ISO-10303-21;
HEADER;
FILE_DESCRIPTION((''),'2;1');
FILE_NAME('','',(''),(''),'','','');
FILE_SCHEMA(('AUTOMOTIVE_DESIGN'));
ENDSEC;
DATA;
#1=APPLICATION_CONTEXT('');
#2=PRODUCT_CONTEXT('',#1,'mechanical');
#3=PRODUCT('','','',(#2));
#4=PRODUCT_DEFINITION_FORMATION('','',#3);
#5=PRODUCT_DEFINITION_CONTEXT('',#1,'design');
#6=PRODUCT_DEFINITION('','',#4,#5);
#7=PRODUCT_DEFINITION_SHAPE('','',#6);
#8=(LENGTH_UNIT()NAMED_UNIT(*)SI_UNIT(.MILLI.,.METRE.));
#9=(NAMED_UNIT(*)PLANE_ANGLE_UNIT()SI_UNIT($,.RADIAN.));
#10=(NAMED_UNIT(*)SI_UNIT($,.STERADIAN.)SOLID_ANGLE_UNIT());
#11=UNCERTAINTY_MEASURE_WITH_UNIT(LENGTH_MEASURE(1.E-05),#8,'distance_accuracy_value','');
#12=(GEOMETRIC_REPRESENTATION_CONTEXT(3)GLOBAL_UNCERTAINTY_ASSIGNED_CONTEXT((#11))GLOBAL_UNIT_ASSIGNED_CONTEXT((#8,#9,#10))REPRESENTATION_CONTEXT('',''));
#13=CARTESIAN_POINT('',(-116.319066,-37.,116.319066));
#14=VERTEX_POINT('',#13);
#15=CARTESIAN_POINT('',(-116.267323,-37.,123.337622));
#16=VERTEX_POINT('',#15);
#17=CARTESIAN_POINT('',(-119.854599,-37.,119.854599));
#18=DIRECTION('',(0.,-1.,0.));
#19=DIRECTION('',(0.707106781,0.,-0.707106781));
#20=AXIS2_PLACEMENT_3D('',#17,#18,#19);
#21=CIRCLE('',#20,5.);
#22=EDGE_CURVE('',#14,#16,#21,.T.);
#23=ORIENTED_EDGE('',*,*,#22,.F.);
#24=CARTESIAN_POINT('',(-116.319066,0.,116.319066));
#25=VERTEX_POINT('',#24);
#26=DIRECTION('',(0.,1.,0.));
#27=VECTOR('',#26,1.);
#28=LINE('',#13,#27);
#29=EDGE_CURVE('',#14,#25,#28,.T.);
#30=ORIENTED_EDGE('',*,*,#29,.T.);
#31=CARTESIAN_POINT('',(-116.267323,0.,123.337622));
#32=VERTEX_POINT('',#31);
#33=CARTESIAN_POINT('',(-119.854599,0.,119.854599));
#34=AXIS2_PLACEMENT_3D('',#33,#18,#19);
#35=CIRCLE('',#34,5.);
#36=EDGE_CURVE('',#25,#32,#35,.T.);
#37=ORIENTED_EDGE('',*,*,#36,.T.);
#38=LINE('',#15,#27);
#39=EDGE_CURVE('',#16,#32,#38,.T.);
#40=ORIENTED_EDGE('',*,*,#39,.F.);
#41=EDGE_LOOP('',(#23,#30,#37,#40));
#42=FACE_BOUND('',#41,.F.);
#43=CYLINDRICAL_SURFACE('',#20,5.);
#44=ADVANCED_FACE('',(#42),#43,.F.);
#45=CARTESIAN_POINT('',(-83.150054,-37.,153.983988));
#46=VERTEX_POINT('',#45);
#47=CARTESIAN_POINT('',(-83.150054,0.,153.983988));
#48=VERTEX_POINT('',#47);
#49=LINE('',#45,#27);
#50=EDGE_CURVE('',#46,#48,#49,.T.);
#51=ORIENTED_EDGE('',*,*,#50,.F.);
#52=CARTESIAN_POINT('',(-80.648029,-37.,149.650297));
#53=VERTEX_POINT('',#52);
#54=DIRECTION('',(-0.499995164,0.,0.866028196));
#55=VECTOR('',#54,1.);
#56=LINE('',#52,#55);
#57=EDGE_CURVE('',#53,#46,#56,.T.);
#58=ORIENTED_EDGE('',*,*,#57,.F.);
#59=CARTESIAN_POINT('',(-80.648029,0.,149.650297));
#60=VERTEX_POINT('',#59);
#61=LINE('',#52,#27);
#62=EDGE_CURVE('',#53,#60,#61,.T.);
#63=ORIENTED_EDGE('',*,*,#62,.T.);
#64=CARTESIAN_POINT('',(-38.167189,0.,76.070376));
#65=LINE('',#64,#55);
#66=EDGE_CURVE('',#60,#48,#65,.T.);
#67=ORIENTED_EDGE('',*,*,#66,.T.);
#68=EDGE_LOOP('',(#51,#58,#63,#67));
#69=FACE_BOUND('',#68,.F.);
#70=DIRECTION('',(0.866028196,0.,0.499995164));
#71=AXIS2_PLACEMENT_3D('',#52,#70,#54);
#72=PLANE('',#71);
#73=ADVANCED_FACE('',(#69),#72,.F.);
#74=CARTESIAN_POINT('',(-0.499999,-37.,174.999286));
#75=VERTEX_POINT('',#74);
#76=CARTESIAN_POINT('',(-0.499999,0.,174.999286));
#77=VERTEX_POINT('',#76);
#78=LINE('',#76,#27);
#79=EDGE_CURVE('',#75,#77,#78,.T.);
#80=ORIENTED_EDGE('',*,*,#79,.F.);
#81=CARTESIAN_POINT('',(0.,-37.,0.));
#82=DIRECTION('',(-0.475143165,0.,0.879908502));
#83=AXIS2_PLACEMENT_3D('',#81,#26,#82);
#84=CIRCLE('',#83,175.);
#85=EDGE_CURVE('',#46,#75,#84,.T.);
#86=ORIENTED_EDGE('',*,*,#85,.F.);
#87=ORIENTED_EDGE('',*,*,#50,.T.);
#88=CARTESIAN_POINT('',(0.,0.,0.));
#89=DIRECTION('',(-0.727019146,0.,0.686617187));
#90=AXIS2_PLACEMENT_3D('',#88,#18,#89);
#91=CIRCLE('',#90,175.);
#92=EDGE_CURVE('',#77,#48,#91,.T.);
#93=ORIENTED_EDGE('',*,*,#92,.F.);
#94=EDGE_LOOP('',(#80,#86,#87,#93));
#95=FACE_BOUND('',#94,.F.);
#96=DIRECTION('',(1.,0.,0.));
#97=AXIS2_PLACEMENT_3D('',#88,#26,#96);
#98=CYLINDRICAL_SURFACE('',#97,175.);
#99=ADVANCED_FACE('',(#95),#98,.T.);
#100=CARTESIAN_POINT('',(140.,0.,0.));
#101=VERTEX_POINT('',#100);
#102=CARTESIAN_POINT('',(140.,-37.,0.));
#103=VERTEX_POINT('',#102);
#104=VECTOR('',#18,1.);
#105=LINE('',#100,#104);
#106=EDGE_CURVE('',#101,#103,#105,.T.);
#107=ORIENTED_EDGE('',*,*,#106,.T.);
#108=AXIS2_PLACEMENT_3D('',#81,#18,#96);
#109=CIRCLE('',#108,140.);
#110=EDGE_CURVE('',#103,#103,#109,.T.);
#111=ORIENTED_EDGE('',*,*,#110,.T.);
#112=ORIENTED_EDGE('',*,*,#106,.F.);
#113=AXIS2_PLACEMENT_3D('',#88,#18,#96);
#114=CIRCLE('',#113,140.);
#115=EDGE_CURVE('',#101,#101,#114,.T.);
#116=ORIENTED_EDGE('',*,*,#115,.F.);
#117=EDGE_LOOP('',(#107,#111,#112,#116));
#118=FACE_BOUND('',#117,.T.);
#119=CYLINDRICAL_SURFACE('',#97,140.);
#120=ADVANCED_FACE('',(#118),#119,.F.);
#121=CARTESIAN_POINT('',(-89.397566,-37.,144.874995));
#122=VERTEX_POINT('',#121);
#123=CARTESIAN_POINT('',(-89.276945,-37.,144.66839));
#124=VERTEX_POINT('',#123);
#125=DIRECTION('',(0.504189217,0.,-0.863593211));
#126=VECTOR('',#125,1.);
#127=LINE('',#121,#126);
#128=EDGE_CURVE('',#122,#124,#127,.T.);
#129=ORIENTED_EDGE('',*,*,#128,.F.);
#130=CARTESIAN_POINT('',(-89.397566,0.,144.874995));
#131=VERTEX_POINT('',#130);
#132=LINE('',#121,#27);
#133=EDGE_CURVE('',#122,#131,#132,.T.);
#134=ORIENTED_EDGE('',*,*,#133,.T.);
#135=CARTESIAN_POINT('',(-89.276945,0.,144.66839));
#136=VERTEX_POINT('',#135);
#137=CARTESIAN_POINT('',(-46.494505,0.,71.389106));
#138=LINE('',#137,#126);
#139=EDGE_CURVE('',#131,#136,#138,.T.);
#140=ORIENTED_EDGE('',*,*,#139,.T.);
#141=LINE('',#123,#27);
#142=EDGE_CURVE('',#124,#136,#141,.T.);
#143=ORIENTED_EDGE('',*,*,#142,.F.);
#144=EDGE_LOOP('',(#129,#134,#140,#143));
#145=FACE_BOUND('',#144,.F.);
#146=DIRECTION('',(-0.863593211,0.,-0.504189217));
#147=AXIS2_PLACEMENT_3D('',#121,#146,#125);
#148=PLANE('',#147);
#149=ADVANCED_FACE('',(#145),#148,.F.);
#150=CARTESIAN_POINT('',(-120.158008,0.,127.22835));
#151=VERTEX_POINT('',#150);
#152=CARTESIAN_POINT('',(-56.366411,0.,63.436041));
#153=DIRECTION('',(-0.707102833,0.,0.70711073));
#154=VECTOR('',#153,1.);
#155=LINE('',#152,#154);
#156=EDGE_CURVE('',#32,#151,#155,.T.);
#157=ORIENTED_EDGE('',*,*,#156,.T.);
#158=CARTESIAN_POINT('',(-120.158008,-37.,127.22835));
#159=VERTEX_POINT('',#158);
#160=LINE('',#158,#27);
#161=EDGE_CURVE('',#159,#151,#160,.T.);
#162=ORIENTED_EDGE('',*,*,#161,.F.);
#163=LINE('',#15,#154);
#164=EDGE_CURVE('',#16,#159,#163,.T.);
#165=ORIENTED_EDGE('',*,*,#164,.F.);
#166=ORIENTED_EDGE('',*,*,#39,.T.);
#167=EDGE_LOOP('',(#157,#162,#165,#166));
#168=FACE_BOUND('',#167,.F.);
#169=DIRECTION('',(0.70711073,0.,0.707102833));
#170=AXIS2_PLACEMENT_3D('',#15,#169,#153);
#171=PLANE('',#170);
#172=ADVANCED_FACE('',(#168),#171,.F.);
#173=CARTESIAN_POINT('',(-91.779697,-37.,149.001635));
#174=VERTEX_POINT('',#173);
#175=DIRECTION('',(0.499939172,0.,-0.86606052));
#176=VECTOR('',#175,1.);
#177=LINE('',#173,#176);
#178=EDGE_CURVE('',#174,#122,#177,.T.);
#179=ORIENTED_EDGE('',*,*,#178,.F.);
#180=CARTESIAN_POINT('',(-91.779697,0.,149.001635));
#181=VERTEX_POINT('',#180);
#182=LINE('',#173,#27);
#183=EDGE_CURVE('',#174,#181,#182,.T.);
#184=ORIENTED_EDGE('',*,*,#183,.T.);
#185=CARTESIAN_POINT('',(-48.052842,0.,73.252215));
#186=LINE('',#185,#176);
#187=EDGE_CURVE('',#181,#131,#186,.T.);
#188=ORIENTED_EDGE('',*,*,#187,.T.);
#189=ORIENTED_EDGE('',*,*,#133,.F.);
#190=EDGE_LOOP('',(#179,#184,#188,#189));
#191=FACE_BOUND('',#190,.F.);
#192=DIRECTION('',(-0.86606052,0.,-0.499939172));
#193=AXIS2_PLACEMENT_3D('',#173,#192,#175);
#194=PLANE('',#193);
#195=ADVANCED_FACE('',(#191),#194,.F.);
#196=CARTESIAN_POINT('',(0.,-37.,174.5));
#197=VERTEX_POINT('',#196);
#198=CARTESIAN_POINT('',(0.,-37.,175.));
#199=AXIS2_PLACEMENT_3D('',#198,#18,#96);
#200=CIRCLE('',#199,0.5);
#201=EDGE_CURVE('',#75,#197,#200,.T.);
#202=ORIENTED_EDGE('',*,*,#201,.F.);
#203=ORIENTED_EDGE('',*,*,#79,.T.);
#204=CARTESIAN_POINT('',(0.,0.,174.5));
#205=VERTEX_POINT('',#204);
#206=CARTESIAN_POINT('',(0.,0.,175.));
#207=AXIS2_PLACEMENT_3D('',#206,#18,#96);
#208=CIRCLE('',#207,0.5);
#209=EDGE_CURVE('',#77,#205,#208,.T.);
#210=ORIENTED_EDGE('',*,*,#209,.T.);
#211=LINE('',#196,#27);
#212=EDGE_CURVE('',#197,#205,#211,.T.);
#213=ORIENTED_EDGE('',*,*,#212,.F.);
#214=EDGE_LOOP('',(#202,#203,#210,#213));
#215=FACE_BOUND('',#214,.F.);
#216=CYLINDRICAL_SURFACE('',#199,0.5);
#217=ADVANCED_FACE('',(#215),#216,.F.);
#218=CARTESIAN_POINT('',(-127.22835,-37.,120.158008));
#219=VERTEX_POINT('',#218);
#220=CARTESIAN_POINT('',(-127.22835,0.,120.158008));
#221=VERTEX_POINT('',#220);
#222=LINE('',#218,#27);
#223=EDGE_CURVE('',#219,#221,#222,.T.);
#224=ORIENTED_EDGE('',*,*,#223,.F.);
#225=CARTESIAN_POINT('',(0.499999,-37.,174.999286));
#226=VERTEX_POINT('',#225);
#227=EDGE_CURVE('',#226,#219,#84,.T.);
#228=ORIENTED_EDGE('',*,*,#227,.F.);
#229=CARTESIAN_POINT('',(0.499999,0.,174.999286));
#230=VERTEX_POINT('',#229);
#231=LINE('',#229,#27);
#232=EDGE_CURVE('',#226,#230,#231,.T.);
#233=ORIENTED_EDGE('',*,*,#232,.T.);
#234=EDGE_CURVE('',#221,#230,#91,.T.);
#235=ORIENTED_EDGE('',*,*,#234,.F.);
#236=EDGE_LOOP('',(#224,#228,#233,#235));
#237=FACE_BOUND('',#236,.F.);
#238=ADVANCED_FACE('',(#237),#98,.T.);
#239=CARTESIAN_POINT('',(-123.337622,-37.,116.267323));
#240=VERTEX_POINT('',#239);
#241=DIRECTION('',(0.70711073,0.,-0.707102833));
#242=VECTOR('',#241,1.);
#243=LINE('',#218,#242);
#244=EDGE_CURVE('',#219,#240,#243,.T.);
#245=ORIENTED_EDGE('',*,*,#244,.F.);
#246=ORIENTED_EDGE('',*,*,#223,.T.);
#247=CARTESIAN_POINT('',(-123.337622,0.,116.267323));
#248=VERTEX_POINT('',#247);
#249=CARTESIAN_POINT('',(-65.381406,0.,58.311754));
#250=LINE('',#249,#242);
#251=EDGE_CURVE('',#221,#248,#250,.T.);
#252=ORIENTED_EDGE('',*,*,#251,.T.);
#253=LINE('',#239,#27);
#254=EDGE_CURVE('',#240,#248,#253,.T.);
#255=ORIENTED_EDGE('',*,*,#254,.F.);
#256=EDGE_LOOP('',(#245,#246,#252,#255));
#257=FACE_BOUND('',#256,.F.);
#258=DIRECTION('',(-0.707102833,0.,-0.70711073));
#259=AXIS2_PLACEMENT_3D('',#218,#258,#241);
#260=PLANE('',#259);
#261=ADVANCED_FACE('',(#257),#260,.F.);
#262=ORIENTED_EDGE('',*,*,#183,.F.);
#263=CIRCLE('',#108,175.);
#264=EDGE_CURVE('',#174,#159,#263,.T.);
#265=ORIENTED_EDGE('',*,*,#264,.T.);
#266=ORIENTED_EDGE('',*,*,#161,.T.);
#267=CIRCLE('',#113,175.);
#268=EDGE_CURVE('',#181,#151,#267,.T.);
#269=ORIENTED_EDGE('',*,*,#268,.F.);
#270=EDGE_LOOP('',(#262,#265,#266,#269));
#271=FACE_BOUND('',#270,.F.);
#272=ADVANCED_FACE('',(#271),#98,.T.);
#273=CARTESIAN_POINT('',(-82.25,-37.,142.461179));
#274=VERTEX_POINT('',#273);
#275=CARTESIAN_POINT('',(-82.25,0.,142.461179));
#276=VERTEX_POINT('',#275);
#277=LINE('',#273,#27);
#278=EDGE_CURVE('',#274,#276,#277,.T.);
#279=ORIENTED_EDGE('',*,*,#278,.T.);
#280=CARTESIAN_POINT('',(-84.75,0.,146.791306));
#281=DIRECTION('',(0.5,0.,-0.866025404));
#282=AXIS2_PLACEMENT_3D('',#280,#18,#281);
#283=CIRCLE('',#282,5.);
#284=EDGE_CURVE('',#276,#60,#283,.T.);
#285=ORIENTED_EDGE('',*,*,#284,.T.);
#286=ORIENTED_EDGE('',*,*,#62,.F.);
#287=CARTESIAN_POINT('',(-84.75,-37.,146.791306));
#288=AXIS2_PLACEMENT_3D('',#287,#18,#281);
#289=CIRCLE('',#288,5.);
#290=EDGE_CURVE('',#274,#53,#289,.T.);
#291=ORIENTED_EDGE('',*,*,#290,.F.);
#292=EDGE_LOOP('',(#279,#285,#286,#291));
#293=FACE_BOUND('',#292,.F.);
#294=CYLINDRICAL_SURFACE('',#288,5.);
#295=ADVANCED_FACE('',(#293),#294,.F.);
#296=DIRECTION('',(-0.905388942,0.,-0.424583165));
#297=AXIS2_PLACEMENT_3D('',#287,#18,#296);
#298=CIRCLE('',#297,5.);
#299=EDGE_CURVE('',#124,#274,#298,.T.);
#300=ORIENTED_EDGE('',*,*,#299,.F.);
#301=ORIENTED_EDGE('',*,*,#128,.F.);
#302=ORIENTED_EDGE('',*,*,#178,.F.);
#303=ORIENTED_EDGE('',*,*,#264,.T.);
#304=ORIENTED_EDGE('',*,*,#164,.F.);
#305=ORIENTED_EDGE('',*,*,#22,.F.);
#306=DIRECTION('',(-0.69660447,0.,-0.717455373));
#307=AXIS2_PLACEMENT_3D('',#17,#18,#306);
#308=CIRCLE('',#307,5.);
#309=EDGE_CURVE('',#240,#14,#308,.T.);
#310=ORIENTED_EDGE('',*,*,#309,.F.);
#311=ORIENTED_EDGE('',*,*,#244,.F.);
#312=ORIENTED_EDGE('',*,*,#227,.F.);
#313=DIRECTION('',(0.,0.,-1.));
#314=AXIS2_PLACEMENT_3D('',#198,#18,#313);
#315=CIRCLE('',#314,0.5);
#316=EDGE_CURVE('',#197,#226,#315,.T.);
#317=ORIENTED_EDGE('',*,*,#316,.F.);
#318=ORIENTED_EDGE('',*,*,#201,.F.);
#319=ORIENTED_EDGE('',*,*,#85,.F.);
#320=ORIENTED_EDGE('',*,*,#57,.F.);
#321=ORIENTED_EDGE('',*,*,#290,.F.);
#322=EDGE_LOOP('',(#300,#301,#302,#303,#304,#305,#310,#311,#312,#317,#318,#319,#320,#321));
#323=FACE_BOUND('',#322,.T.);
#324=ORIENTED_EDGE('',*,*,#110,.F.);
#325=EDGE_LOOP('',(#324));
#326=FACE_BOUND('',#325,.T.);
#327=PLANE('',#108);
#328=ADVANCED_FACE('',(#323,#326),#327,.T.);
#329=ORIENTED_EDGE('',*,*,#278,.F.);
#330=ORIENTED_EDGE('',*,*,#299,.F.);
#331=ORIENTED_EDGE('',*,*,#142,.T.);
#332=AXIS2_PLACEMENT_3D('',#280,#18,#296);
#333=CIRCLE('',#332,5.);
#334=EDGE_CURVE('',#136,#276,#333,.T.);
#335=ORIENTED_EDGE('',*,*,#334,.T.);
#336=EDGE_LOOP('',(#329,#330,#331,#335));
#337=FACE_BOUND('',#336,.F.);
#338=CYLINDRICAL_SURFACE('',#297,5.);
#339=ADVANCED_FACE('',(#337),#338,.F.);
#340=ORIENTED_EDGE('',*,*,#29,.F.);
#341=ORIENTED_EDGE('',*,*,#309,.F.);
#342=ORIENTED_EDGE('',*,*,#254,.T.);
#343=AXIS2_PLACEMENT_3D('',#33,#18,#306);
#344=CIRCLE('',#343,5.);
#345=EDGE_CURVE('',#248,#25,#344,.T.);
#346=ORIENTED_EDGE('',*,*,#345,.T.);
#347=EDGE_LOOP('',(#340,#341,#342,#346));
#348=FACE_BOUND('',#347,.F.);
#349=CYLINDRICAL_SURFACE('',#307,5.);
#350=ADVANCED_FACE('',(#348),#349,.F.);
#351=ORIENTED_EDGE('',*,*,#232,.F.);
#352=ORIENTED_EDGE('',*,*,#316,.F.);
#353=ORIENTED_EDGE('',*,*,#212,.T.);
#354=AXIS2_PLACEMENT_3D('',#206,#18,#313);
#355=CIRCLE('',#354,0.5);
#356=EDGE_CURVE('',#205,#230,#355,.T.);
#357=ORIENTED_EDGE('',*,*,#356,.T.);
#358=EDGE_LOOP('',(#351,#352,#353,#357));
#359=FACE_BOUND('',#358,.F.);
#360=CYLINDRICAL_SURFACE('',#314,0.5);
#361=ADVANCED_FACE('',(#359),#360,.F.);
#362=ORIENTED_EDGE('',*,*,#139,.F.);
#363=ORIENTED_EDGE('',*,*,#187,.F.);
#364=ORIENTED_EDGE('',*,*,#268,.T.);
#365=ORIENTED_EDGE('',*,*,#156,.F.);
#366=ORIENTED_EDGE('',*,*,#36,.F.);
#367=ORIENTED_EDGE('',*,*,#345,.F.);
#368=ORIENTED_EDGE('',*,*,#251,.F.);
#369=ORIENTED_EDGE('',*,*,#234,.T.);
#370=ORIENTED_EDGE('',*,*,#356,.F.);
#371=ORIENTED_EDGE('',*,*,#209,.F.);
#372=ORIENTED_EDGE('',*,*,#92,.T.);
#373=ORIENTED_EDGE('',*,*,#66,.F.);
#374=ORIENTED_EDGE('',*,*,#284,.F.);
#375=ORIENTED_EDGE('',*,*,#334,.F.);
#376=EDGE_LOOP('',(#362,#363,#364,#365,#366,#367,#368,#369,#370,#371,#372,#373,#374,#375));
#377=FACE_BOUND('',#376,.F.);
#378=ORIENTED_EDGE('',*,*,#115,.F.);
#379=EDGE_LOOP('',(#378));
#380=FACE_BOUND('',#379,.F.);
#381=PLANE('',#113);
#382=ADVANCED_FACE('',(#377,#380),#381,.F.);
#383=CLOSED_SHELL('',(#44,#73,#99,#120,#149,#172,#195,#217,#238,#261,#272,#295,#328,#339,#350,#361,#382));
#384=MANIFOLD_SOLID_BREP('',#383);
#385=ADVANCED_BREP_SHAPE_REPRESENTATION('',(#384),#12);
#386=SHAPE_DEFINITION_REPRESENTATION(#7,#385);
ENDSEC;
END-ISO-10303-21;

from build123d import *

# Parameters (mm, degrees)
F0_R     = 175
F0_R_2   = 140
F1_DEPTH = 37
F3_DEPTH = 64
F4_DEPTH = 40


with BuildPart() as f1:
    # F0 (on Front) → F1 (new body)
    with BuildSketch(Plane.XZ):
        Circle(F0_R)
        Circle(F0_R_2, mode=Mode.SUBTRACT)
    extrude(amount=F1_DEPTH)

    # F2 (on face) → F3 (cut)
    with BuildSketch(Plane.XZ.offset(37)):
        with BuildLine():
            Line((-134.6558720136, 127.5854463967), (-127.2283504649, 120.158007798))
            ThreePointArc((-127.2283504649, 120.158007798), (-123.7436867076, 123.7436867076), (-120.158007798, 127.2283504649))
            Line((-120.158007798, 127.2283504649), (-127.5854463967, 134.6558720136))
            ThreePointArc((-127.5854463967, 134.6558720136), (-134.703841816, 134.703841816), (-134.6558720136, 127.5854463967))
        make_face()
        with BuildLine():
            ThreePointArc((-123.3376217614, 116.267322546), (-119.8177388722, 114.8547352829), (-116.3190655052, 116.3190655052))
            ThreePointArc((-116.3190655052, 116.3190655052), (-114.8547352829, 119.8177388722), (-116.267322546, 123.3376217614))
            Line((-116.267322546, 123.3376217614), (-120.158007798, 127.2283504649))
            ThreePointArc((-120.158007798, 127.2283504649), (-123.7436867076, 123.7436867076), (-127.2283504649, 120.158007798))
            Line((-127.2283504649, 120.158007798), (-123.3376217614, 116.267322546))
        make_face()
        with BuildLine():
            ThreePointArc((-89.2769447092, 144.6683901164), (-86.2483562751, 142.021093318), (-82.25, 142.4611789225))
            ThreePointArc((-82.25, 142.4611789225), (-79.8696965491, 145.7038142279), (-80.6480286108, 149.6502971486))
            Line((-80.6480286108, 149.6502971486), (-83.1500538847, 153.9839879305))
            ThreePointArc((-83.1500538847, 153.9839879305), (-87.5003449373, 151.5542465121), (-91.7796966371, 149.0016351762))
            Line((-91.7796966372, 149.0016351762), (-89.397566175, 144.8749948502))
            Line((-89.397566175, 144.8749948502), (-89.2769447092, 144.6683901164))
        make_face()
    extrude(amount=-F3_DEPTH, mode=Mode.SUBTRACT)

    # F2 (on face) → F4 (cut)
    with BuildSketch(Plane.XZ.offset(37)):
        with BuildLine():
            ThreePointArc((0.5, 175), (-0.3535533906, 175.3535533906), (0, 174.5))
            ThreePointArc((0, 174.5), (0.3535533906, 174.6464466094), (0.5, 175))
        make_face()
        with BuildLine():
            ThreePointArc((-123.3376217614, 116.267322546), (-119.8177388722, 114.8547352829), (-116.3190655052, 116.3190655052))
            ThreePointArc((-116.3190655052, 116.3190655052), (-114.8547352829, 119.8177388722), (-116.267322546, 123.3376217614))
            Line((-116.267322546, 123.3376217614), (-127.5854463967, 134.6558720136))
            ThreePointArc((-127.5854463967, 134.6558720136), (-134.703841816, 134.703841816), (-134.6558720136, 127.5854463967))
            Line((-134.6558720136, 127.5854463967), (-123.3376217614, 116.267322546))
        make_face()
    extrude(amount=-F4_DEPTH, mode=Mode.SUBTRACT)


solid = f1.part
